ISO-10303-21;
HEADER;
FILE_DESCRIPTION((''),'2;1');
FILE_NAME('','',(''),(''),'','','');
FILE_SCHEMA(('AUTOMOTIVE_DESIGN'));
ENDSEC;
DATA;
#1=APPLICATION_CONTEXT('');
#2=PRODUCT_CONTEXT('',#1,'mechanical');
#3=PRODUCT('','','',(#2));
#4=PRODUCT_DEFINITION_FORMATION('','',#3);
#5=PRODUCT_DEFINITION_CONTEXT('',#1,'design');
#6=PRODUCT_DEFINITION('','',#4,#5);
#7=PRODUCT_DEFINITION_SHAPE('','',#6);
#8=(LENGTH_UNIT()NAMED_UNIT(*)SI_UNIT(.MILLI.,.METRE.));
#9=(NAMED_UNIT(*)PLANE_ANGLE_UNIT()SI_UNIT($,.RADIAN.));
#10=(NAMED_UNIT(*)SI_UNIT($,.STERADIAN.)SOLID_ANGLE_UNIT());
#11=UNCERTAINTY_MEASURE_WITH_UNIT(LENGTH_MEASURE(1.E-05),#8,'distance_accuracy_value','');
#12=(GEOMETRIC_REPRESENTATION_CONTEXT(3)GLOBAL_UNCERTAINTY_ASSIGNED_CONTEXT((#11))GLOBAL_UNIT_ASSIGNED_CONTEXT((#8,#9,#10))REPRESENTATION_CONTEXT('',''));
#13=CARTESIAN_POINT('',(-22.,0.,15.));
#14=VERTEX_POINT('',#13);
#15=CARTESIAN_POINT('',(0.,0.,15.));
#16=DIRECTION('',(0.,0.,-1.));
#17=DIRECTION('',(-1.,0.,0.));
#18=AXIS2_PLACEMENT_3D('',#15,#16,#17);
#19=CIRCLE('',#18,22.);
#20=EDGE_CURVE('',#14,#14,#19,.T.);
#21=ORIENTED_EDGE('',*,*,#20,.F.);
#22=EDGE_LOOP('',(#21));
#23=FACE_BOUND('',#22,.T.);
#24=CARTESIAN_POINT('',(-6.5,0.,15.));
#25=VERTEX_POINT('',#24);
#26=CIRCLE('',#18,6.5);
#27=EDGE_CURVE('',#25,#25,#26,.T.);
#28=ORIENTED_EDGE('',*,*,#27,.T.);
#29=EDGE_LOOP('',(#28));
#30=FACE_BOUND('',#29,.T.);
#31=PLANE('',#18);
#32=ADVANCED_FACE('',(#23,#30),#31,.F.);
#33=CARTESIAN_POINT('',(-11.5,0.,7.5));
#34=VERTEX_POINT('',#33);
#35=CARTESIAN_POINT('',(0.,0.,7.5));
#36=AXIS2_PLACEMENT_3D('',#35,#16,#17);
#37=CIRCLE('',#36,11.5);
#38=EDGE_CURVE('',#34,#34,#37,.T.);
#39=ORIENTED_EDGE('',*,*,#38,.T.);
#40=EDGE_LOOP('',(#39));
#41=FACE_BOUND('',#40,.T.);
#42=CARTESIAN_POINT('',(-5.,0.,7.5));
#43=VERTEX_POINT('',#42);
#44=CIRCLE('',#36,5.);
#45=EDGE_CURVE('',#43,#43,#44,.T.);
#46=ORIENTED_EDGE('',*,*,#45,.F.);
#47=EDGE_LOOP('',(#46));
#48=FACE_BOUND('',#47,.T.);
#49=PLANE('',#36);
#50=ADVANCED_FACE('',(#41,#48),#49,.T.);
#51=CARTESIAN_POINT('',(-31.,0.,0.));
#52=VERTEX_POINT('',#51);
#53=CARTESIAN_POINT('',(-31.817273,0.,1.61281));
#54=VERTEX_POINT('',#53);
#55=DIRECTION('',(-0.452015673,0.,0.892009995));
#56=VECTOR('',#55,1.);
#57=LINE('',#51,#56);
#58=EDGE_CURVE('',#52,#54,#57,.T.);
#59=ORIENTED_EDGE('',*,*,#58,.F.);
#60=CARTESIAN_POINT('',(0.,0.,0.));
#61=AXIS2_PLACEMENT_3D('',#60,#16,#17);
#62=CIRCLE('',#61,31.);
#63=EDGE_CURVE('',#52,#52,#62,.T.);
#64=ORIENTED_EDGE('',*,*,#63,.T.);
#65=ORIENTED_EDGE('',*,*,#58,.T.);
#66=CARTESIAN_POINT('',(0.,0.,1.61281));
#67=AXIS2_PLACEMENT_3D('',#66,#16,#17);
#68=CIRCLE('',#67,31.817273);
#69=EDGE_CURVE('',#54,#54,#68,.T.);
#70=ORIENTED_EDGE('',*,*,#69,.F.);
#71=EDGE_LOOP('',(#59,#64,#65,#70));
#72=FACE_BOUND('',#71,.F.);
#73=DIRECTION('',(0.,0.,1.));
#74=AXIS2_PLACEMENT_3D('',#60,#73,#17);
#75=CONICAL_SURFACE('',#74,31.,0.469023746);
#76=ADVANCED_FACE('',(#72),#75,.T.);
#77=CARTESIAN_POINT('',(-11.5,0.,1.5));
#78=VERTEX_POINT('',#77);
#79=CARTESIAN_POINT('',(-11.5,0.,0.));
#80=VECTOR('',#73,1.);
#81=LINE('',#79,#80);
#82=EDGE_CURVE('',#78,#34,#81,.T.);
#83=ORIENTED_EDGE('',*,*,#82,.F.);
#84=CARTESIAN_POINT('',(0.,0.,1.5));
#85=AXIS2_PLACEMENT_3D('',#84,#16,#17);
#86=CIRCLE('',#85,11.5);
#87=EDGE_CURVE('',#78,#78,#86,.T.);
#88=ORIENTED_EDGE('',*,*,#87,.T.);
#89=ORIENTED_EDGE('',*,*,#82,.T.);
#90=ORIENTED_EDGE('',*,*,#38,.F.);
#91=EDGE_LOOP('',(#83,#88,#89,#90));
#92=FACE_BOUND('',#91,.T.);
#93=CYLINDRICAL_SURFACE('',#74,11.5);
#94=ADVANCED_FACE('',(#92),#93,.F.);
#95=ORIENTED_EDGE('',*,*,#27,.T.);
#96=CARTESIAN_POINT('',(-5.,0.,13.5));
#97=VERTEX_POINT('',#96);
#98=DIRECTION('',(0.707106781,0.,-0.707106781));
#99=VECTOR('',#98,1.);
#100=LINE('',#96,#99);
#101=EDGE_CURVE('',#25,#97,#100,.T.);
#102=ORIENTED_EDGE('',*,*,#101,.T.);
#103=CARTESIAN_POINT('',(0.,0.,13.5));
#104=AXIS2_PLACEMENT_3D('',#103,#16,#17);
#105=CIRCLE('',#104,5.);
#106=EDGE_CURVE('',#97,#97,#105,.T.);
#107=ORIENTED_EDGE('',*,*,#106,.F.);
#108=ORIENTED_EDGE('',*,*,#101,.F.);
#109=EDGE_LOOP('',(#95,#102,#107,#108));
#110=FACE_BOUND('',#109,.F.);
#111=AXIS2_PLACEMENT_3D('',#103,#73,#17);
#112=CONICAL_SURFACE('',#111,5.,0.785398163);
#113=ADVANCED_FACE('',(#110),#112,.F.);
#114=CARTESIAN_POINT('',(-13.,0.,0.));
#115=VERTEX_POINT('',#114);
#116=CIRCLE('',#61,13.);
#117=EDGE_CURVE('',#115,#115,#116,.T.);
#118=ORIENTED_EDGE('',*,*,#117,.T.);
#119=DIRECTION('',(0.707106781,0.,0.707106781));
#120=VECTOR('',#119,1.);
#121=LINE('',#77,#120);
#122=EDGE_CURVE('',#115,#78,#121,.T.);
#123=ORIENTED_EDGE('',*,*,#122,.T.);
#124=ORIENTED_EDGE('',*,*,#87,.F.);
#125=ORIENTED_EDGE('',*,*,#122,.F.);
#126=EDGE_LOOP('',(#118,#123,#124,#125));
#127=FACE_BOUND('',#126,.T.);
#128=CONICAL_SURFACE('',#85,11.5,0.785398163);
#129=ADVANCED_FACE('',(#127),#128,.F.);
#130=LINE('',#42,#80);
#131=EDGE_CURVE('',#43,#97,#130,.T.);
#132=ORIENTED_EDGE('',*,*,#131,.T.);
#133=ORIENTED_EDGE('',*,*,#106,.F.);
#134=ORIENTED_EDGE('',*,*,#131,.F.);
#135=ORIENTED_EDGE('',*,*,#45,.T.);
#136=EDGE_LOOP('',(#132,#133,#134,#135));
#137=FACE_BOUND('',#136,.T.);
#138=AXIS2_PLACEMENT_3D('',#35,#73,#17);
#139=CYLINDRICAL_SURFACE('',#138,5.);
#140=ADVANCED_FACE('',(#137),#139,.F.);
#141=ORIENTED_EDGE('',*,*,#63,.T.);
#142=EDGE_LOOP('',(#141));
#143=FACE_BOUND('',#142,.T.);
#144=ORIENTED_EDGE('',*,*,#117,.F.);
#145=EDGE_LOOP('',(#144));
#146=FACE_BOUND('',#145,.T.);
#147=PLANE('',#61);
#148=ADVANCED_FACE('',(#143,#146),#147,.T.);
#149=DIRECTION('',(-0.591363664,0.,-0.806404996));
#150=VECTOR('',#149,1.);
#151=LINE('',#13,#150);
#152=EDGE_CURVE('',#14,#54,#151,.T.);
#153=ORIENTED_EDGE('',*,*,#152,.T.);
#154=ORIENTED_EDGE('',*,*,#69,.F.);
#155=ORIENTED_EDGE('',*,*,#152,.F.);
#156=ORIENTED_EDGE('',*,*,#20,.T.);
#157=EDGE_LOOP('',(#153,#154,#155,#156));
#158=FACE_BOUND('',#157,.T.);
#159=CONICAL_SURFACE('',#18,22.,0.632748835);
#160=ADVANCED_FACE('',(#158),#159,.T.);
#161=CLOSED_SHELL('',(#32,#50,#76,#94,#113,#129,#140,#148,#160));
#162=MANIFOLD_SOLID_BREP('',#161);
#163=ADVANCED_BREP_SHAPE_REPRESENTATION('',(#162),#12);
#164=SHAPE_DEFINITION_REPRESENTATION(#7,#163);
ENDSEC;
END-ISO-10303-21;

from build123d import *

# Parameters (mm, degrees)
F2_SIZE = 2
F3_SIZE = 1.5
F4_SIZE = 1.5


with BuildPart() as f1:
    # F0 (on Front) → F1 (revolve)
    with BuildSketch(Plane.XZ):
        Polygon((-33, 0), (-11.5, 0), (-11.5, 7.5), (-5, 7.5), (-5, 15), (-22, 15), align=None)
    revolve(axis=Axis((0, 0, 3.75), (0, 0, -1)))

    # F2
    f2_edges = [f1.edges().sort_by_distance(p)[0] for p in [
        (33, 0, 0),
    ]]
    chamfer(f2_edges, length=F2_SIZE)

    # F3
    f3_edges = [f1.edges().sort_by_distance(p)[0] for p in [
        (5, 0, 15),
    ]]
    chamfer(f3_edges, length=F3_SIZE)

    # F4
    f4_edges = [f1.edges().sort_by_distance(p)[0] for p in [
        (11.5, 0, 0),
    ]]
    chamfer(f4_edges, length=F4_SIZE)


solid = f1.part
